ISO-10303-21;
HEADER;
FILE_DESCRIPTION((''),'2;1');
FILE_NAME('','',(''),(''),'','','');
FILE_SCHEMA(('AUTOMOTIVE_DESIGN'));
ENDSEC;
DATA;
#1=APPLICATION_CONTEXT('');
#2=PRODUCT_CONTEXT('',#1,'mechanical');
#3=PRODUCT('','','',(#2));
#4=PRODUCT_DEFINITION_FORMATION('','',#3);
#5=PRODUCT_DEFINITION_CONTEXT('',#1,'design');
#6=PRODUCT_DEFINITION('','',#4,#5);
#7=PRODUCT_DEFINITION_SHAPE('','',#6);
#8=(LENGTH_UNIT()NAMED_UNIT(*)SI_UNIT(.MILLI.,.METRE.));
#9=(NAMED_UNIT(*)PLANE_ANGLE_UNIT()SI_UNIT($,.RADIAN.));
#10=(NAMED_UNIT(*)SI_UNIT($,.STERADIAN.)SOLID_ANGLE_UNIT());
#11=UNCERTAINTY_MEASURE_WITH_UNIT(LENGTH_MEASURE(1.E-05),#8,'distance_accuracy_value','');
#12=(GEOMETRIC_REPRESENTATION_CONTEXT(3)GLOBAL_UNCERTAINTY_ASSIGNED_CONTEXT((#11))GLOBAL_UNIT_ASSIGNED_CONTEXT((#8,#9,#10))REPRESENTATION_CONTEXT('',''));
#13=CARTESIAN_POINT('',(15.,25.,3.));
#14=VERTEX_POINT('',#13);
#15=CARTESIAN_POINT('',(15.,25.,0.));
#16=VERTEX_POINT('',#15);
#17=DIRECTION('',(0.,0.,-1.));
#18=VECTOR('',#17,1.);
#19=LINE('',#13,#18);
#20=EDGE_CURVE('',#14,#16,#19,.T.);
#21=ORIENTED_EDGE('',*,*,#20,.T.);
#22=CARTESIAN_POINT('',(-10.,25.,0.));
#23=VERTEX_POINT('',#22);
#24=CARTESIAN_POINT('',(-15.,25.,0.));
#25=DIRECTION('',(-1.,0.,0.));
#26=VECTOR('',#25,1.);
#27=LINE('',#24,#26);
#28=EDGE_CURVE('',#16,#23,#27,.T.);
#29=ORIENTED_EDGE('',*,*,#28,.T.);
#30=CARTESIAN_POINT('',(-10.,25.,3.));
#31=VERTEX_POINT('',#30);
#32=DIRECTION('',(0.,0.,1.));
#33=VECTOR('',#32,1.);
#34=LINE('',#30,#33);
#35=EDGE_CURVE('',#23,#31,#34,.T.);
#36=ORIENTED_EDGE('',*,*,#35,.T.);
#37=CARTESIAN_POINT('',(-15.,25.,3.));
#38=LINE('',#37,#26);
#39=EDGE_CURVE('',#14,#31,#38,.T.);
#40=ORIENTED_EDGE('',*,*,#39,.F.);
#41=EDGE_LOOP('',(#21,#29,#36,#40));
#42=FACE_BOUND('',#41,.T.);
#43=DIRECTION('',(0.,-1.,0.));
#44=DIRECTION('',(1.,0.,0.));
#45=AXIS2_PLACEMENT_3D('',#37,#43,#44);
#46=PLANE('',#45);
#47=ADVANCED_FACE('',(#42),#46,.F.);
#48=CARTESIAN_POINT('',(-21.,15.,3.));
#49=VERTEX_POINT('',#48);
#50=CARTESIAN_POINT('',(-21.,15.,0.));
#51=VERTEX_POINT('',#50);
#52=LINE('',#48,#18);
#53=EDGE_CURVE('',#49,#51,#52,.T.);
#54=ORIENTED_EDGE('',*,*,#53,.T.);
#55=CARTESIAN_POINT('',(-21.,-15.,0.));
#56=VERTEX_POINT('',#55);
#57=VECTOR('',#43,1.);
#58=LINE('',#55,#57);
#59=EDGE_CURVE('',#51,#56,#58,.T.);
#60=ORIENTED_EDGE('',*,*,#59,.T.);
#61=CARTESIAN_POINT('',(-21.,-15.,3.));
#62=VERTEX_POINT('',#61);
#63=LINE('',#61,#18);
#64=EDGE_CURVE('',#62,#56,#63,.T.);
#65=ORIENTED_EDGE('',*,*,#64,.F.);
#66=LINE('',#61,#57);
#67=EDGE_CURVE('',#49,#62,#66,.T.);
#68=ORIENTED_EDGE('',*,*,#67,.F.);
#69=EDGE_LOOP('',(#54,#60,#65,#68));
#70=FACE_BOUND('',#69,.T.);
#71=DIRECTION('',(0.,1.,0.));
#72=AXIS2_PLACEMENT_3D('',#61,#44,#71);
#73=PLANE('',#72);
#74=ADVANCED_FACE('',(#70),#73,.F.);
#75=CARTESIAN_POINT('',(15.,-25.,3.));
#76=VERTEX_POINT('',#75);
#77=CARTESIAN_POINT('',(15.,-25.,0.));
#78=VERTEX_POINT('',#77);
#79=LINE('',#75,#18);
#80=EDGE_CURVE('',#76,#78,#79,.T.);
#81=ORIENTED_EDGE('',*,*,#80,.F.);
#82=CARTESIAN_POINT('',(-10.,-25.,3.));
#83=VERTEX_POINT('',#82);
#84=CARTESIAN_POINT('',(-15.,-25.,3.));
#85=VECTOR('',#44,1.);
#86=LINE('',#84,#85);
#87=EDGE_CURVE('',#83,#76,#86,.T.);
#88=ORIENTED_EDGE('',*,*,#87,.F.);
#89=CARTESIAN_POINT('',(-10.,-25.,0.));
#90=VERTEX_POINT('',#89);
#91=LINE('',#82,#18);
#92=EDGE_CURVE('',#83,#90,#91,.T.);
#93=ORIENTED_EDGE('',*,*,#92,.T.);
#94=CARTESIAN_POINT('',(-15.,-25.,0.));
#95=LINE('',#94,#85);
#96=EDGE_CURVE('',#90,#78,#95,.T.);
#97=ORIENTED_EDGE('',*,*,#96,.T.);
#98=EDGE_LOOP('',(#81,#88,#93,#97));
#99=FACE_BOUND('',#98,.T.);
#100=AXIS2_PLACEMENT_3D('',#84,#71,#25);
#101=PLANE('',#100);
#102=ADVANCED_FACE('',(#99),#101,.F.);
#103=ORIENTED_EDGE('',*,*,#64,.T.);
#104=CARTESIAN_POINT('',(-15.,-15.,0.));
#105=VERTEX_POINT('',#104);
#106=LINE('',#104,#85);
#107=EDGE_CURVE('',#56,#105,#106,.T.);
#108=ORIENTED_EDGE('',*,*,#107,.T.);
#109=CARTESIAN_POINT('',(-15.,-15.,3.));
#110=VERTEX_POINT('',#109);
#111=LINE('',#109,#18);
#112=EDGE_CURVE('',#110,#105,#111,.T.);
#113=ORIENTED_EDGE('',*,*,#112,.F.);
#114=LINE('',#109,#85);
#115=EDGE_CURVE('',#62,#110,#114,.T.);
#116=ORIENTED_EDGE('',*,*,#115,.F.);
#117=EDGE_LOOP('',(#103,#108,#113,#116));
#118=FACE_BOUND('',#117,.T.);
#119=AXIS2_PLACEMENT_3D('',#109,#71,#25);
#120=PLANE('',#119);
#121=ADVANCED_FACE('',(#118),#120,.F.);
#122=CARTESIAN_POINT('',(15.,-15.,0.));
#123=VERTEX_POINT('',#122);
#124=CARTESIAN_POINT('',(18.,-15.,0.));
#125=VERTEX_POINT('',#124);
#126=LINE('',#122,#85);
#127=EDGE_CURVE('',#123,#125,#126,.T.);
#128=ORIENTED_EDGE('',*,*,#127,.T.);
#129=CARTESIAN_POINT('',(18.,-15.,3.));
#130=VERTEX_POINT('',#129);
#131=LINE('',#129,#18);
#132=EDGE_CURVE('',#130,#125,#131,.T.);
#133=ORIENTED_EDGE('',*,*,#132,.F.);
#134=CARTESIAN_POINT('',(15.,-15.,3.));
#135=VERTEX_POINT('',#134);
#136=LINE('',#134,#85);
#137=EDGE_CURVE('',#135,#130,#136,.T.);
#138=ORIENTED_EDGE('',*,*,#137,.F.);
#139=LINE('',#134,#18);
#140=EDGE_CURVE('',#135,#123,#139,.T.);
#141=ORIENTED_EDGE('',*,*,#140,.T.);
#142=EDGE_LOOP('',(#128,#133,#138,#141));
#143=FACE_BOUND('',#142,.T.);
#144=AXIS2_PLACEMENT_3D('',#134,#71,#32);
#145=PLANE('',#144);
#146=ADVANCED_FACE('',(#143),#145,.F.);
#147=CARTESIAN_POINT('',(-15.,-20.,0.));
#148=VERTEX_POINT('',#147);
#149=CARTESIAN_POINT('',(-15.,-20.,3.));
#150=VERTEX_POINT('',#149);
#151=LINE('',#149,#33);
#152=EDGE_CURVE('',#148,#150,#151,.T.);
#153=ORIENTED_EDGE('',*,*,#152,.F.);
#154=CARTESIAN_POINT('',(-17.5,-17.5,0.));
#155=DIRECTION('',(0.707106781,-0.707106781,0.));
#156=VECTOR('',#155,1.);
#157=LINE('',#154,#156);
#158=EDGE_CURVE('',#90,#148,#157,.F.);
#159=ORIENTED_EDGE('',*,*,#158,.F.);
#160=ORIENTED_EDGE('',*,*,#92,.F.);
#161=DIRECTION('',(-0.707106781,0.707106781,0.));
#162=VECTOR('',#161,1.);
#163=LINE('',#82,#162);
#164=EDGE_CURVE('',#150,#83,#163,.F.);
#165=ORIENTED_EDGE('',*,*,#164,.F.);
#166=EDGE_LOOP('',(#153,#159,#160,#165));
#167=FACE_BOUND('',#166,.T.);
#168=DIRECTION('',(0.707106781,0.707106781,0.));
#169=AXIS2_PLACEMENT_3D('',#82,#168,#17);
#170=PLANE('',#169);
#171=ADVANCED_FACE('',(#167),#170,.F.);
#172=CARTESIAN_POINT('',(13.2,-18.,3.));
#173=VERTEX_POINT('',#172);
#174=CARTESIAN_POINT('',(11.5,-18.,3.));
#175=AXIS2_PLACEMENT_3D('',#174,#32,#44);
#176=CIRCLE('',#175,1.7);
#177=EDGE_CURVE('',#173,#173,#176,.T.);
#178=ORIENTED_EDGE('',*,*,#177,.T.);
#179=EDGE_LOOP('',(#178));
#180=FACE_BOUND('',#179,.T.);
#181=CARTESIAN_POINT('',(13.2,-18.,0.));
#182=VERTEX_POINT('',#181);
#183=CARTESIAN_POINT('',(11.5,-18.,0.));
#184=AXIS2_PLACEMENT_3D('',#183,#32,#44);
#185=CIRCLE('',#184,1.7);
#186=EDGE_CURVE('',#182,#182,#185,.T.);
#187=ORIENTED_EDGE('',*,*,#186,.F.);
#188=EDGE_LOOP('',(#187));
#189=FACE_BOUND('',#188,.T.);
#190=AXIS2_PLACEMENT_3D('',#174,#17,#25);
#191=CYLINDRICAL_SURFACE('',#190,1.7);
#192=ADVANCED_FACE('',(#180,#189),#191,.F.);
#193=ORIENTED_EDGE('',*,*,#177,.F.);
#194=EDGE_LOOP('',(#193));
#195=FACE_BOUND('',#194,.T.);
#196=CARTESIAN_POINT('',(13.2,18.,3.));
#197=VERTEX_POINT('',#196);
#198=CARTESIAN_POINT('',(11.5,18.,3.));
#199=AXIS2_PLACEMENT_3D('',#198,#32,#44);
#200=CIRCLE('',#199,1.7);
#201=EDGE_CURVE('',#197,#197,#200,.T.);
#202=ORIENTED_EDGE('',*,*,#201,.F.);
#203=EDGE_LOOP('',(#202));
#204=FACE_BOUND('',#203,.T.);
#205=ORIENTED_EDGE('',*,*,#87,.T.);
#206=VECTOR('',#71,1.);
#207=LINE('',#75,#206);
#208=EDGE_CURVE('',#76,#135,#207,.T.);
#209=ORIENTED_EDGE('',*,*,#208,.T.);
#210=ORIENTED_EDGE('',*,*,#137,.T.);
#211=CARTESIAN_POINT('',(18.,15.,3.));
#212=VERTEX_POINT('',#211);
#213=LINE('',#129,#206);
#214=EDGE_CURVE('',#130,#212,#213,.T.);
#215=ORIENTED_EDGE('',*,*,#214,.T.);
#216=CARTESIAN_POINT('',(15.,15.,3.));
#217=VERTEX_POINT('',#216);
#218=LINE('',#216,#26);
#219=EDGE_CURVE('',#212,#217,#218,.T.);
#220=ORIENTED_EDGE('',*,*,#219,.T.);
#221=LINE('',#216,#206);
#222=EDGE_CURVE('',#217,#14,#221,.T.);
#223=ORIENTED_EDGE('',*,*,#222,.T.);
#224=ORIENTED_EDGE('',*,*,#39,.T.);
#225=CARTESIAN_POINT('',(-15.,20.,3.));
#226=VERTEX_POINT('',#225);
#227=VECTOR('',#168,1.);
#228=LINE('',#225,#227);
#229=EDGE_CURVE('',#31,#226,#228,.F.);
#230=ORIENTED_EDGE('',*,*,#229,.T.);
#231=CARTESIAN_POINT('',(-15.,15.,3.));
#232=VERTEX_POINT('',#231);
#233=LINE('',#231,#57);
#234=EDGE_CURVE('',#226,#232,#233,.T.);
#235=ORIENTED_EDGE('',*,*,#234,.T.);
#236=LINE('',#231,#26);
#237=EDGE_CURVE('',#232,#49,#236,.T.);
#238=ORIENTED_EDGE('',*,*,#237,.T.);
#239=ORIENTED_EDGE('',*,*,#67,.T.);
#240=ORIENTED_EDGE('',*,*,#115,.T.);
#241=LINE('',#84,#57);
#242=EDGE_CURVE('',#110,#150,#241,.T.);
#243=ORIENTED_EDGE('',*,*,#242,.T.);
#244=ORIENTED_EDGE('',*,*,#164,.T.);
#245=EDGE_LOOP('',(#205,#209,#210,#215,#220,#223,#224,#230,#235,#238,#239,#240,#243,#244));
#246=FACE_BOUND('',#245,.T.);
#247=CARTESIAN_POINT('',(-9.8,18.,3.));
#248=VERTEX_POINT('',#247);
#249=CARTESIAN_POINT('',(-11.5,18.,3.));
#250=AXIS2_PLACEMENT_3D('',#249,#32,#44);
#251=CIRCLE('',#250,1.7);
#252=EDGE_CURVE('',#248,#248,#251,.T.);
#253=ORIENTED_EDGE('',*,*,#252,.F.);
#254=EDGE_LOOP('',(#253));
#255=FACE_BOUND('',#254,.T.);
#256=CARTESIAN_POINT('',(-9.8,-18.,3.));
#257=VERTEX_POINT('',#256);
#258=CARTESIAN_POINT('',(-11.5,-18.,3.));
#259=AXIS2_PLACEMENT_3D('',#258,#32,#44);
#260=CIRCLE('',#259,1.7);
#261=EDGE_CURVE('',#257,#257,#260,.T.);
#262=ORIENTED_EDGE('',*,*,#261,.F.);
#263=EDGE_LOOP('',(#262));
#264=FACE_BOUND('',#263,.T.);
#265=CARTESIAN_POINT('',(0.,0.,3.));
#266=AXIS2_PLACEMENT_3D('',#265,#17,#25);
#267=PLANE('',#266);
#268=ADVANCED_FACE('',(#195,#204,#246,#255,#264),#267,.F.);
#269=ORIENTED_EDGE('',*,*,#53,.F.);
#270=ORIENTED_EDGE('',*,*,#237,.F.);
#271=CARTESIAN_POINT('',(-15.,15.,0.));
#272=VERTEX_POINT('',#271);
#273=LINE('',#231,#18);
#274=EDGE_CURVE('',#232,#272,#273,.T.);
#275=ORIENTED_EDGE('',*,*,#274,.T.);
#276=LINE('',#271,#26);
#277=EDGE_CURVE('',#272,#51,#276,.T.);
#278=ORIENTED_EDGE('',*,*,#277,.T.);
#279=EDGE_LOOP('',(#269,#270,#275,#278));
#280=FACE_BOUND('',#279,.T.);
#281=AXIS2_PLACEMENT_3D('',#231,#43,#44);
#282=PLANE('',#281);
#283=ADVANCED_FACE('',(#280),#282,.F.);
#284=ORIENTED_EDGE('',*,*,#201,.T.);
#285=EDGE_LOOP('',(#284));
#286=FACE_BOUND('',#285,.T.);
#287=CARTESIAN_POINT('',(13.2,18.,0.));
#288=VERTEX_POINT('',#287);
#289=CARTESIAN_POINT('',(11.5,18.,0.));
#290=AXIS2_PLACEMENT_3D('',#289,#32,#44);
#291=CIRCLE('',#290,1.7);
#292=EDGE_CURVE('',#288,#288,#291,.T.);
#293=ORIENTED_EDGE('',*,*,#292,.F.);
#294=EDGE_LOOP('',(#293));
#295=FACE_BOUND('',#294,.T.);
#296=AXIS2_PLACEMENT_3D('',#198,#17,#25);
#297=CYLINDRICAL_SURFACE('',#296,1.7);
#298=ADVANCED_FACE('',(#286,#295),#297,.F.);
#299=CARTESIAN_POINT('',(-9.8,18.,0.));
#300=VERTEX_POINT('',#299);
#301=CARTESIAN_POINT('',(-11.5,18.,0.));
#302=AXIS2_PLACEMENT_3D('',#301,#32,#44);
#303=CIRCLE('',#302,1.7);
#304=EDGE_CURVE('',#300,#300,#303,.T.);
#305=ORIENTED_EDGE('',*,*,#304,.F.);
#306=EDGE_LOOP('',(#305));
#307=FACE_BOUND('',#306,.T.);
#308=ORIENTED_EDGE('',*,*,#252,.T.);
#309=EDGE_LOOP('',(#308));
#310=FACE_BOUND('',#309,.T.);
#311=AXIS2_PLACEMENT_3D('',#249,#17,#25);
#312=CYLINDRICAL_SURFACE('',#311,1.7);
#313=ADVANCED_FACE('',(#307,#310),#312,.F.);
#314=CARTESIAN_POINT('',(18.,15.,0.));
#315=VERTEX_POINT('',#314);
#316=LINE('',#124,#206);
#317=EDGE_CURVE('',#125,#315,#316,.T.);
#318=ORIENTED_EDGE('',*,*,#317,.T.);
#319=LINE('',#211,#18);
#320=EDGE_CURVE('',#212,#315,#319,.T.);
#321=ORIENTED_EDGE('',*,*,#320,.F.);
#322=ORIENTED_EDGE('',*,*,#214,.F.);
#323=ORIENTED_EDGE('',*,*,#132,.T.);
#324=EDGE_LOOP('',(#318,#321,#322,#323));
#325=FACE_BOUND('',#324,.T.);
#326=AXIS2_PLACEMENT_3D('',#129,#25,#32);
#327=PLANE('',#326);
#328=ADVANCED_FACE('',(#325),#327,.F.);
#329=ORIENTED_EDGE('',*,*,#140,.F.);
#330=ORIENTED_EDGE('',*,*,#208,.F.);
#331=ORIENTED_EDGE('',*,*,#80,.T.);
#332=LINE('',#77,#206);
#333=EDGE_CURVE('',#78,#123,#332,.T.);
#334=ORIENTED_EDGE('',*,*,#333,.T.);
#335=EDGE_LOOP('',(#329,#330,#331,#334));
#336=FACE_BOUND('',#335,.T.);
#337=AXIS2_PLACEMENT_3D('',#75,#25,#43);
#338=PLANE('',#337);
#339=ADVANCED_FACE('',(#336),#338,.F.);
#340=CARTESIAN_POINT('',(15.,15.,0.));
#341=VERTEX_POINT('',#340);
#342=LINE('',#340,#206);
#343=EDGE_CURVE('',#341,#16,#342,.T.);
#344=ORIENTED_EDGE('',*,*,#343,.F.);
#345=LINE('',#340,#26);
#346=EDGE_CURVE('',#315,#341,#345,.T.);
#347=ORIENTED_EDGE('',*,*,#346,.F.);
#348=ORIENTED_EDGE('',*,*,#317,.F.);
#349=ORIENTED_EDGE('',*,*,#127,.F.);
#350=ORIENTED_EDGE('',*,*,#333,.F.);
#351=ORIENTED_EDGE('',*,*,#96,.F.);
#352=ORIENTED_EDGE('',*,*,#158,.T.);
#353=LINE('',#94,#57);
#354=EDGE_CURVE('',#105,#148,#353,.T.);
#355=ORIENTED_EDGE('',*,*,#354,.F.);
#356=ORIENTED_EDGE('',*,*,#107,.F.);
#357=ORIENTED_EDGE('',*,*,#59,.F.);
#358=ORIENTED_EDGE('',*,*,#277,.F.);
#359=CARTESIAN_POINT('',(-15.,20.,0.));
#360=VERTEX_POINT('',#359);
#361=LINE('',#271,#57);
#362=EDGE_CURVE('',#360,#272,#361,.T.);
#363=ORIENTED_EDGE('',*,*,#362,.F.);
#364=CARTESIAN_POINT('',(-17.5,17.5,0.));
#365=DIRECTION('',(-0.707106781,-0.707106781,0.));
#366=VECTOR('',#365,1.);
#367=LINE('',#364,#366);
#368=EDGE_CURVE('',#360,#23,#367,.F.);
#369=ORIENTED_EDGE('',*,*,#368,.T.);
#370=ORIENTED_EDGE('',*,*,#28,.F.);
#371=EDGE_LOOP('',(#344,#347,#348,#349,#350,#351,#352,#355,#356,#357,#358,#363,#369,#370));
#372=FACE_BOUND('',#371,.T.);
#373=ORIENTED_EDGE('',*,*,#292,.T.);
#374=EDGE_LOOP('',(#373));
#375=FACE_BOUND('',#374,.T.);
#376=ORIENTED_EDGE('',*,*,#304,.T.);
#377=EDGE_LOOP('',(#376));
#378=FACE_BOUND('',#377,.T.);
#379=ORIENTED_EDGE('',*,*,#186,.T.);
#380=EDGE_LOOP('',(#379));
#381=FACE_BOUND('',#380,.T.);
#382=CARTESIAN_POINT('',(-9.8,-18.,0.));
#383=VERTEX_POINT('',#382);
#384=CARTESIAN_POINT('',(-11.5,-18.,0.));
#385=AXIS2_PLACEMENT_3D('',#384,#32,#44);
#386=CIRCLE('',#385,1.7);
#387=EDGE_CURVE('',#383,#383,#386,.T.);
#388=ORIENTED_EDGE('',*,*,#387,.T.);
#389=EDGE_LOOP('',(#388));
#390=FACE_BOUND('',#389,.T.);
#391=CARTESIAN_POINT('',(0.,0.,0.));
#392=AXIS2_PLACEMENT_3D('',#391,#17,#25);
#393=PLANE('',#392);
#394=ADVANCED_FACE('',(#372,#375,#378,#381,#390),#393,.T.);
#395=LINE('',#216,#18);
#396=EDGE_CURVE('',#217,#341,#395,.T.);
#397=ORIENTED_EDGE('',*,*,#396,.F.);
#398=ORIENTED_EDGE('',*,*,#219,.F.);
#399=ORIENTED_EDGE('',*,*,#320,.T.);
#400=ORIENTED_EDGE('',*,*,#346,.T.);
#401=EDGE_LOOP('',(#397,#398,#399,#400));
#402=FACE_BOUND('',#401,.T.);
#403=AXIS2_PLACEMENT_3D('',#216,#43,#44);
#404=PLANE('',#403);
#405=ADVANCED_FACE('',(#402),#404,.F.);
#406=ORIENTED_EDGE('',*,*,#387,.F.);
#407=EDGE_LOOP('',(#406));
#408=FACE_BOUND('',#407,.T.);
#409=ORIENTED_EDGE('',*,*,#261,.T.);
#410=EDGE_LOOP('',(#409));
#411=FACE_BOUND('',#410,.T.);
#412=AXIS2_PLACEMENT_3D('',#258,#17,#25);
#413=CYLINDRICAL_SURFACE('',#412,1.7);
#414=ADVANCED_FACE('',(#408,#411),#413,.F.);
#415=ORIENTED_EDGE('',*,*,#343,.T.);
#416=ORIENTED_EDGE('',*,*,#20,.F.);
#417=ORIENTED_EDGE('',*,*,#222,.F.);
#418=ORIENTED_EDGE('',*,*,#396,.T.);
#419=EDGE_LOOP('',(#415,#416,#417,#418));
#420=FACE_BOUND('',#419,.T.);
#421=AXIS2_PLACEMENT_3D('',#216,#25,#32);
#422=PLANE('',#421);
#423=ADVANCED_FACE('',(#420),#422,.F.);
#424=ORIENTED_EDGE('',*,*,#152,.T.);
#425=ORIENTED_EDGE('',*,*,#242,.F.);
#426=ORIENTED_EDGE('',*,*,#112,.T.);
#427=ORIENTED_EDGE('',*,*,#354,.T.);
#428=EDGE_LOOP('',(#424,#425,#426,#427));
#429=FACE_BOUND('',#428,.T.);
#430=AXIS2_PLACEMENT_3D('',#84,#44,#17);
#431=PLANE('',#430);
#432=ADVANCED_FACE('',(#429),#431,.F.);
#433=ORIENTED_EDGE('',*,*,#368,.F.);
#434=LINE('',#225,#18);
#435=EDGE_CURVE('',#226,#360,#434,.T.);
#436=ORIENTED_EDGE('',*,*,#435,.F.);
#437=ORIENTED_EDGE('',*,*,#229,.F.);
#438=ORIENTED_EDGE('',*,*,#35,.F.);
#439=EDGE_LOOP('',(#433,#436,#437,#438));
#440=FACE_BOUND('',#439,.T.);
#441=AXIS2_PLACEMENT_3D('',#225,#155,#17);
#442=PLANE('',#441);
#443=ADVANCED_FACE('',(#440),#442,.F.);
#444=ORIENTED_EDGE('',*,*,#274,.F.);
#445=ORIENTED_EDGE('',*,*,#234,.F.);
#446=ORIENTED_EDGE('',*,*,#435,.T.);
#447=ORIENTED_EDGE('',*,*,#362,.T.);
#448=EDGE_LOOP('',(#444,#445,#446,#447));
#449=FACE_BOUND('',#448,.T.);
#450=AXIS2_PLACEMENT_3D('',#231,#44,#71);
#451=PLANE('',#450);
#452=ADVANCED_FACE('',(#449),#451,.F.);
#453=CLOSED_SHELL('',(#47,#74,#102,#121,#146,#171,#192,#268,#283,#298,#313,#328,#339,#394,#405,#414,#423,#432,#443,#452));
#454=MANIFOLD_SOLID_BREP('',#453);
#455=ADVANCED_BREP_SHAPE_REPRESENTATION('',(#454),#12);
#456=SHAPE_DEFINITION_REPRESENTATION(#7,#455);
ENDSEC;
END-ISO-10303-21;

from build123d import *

# Parameters (mm, degrees)
SKETCH1_R           = 1.7
BOSS_EXTRUDE1_DEPTH = 3
CHAMFER1_SIZE       = 5


with BuildPart() as part:
    # Sketch1 → Boss-Extrude1 (new body)
    with BuildSketch(Plane.XY):
        Polygon((-15, -25), (15, -25), (15, -15), (18, -15), (18, 15), (15, 15), (15, 25), (-15, 25), (-15, 15), (-21, 15), (-21, -15), (-15, -15), align=None)
        with Locations((11.5, -18)):
            Circle(SKETCH1_R, mode=Mode.SUBTRACT)
        with Locations((11.5, 18)):
            Circle(SKETCH1_R, mode=Mode.SUBTRACT)
        with Locations((-11.5, 18)):
            Circle(SKETCH1_R, mode=Mode.SUBTRACT)
        with Locations((-11.5, -18)):
            Circle(SKETCH1_R, mode=Mode.SUBTRACT)
    extrude(amount=BOSS_EXTRUDE1_DEPTH)

    # Chamfer1
    chamfer1_edges = [part.edges().sort_by_distance(p)[0] for p in [
        (-15, -25, 1.5),
        (-15, 25, 1.5),
    ]]
    chamfer(chamfer1_edges, length=CHAMFER1_SIZE)


solid = part.part
